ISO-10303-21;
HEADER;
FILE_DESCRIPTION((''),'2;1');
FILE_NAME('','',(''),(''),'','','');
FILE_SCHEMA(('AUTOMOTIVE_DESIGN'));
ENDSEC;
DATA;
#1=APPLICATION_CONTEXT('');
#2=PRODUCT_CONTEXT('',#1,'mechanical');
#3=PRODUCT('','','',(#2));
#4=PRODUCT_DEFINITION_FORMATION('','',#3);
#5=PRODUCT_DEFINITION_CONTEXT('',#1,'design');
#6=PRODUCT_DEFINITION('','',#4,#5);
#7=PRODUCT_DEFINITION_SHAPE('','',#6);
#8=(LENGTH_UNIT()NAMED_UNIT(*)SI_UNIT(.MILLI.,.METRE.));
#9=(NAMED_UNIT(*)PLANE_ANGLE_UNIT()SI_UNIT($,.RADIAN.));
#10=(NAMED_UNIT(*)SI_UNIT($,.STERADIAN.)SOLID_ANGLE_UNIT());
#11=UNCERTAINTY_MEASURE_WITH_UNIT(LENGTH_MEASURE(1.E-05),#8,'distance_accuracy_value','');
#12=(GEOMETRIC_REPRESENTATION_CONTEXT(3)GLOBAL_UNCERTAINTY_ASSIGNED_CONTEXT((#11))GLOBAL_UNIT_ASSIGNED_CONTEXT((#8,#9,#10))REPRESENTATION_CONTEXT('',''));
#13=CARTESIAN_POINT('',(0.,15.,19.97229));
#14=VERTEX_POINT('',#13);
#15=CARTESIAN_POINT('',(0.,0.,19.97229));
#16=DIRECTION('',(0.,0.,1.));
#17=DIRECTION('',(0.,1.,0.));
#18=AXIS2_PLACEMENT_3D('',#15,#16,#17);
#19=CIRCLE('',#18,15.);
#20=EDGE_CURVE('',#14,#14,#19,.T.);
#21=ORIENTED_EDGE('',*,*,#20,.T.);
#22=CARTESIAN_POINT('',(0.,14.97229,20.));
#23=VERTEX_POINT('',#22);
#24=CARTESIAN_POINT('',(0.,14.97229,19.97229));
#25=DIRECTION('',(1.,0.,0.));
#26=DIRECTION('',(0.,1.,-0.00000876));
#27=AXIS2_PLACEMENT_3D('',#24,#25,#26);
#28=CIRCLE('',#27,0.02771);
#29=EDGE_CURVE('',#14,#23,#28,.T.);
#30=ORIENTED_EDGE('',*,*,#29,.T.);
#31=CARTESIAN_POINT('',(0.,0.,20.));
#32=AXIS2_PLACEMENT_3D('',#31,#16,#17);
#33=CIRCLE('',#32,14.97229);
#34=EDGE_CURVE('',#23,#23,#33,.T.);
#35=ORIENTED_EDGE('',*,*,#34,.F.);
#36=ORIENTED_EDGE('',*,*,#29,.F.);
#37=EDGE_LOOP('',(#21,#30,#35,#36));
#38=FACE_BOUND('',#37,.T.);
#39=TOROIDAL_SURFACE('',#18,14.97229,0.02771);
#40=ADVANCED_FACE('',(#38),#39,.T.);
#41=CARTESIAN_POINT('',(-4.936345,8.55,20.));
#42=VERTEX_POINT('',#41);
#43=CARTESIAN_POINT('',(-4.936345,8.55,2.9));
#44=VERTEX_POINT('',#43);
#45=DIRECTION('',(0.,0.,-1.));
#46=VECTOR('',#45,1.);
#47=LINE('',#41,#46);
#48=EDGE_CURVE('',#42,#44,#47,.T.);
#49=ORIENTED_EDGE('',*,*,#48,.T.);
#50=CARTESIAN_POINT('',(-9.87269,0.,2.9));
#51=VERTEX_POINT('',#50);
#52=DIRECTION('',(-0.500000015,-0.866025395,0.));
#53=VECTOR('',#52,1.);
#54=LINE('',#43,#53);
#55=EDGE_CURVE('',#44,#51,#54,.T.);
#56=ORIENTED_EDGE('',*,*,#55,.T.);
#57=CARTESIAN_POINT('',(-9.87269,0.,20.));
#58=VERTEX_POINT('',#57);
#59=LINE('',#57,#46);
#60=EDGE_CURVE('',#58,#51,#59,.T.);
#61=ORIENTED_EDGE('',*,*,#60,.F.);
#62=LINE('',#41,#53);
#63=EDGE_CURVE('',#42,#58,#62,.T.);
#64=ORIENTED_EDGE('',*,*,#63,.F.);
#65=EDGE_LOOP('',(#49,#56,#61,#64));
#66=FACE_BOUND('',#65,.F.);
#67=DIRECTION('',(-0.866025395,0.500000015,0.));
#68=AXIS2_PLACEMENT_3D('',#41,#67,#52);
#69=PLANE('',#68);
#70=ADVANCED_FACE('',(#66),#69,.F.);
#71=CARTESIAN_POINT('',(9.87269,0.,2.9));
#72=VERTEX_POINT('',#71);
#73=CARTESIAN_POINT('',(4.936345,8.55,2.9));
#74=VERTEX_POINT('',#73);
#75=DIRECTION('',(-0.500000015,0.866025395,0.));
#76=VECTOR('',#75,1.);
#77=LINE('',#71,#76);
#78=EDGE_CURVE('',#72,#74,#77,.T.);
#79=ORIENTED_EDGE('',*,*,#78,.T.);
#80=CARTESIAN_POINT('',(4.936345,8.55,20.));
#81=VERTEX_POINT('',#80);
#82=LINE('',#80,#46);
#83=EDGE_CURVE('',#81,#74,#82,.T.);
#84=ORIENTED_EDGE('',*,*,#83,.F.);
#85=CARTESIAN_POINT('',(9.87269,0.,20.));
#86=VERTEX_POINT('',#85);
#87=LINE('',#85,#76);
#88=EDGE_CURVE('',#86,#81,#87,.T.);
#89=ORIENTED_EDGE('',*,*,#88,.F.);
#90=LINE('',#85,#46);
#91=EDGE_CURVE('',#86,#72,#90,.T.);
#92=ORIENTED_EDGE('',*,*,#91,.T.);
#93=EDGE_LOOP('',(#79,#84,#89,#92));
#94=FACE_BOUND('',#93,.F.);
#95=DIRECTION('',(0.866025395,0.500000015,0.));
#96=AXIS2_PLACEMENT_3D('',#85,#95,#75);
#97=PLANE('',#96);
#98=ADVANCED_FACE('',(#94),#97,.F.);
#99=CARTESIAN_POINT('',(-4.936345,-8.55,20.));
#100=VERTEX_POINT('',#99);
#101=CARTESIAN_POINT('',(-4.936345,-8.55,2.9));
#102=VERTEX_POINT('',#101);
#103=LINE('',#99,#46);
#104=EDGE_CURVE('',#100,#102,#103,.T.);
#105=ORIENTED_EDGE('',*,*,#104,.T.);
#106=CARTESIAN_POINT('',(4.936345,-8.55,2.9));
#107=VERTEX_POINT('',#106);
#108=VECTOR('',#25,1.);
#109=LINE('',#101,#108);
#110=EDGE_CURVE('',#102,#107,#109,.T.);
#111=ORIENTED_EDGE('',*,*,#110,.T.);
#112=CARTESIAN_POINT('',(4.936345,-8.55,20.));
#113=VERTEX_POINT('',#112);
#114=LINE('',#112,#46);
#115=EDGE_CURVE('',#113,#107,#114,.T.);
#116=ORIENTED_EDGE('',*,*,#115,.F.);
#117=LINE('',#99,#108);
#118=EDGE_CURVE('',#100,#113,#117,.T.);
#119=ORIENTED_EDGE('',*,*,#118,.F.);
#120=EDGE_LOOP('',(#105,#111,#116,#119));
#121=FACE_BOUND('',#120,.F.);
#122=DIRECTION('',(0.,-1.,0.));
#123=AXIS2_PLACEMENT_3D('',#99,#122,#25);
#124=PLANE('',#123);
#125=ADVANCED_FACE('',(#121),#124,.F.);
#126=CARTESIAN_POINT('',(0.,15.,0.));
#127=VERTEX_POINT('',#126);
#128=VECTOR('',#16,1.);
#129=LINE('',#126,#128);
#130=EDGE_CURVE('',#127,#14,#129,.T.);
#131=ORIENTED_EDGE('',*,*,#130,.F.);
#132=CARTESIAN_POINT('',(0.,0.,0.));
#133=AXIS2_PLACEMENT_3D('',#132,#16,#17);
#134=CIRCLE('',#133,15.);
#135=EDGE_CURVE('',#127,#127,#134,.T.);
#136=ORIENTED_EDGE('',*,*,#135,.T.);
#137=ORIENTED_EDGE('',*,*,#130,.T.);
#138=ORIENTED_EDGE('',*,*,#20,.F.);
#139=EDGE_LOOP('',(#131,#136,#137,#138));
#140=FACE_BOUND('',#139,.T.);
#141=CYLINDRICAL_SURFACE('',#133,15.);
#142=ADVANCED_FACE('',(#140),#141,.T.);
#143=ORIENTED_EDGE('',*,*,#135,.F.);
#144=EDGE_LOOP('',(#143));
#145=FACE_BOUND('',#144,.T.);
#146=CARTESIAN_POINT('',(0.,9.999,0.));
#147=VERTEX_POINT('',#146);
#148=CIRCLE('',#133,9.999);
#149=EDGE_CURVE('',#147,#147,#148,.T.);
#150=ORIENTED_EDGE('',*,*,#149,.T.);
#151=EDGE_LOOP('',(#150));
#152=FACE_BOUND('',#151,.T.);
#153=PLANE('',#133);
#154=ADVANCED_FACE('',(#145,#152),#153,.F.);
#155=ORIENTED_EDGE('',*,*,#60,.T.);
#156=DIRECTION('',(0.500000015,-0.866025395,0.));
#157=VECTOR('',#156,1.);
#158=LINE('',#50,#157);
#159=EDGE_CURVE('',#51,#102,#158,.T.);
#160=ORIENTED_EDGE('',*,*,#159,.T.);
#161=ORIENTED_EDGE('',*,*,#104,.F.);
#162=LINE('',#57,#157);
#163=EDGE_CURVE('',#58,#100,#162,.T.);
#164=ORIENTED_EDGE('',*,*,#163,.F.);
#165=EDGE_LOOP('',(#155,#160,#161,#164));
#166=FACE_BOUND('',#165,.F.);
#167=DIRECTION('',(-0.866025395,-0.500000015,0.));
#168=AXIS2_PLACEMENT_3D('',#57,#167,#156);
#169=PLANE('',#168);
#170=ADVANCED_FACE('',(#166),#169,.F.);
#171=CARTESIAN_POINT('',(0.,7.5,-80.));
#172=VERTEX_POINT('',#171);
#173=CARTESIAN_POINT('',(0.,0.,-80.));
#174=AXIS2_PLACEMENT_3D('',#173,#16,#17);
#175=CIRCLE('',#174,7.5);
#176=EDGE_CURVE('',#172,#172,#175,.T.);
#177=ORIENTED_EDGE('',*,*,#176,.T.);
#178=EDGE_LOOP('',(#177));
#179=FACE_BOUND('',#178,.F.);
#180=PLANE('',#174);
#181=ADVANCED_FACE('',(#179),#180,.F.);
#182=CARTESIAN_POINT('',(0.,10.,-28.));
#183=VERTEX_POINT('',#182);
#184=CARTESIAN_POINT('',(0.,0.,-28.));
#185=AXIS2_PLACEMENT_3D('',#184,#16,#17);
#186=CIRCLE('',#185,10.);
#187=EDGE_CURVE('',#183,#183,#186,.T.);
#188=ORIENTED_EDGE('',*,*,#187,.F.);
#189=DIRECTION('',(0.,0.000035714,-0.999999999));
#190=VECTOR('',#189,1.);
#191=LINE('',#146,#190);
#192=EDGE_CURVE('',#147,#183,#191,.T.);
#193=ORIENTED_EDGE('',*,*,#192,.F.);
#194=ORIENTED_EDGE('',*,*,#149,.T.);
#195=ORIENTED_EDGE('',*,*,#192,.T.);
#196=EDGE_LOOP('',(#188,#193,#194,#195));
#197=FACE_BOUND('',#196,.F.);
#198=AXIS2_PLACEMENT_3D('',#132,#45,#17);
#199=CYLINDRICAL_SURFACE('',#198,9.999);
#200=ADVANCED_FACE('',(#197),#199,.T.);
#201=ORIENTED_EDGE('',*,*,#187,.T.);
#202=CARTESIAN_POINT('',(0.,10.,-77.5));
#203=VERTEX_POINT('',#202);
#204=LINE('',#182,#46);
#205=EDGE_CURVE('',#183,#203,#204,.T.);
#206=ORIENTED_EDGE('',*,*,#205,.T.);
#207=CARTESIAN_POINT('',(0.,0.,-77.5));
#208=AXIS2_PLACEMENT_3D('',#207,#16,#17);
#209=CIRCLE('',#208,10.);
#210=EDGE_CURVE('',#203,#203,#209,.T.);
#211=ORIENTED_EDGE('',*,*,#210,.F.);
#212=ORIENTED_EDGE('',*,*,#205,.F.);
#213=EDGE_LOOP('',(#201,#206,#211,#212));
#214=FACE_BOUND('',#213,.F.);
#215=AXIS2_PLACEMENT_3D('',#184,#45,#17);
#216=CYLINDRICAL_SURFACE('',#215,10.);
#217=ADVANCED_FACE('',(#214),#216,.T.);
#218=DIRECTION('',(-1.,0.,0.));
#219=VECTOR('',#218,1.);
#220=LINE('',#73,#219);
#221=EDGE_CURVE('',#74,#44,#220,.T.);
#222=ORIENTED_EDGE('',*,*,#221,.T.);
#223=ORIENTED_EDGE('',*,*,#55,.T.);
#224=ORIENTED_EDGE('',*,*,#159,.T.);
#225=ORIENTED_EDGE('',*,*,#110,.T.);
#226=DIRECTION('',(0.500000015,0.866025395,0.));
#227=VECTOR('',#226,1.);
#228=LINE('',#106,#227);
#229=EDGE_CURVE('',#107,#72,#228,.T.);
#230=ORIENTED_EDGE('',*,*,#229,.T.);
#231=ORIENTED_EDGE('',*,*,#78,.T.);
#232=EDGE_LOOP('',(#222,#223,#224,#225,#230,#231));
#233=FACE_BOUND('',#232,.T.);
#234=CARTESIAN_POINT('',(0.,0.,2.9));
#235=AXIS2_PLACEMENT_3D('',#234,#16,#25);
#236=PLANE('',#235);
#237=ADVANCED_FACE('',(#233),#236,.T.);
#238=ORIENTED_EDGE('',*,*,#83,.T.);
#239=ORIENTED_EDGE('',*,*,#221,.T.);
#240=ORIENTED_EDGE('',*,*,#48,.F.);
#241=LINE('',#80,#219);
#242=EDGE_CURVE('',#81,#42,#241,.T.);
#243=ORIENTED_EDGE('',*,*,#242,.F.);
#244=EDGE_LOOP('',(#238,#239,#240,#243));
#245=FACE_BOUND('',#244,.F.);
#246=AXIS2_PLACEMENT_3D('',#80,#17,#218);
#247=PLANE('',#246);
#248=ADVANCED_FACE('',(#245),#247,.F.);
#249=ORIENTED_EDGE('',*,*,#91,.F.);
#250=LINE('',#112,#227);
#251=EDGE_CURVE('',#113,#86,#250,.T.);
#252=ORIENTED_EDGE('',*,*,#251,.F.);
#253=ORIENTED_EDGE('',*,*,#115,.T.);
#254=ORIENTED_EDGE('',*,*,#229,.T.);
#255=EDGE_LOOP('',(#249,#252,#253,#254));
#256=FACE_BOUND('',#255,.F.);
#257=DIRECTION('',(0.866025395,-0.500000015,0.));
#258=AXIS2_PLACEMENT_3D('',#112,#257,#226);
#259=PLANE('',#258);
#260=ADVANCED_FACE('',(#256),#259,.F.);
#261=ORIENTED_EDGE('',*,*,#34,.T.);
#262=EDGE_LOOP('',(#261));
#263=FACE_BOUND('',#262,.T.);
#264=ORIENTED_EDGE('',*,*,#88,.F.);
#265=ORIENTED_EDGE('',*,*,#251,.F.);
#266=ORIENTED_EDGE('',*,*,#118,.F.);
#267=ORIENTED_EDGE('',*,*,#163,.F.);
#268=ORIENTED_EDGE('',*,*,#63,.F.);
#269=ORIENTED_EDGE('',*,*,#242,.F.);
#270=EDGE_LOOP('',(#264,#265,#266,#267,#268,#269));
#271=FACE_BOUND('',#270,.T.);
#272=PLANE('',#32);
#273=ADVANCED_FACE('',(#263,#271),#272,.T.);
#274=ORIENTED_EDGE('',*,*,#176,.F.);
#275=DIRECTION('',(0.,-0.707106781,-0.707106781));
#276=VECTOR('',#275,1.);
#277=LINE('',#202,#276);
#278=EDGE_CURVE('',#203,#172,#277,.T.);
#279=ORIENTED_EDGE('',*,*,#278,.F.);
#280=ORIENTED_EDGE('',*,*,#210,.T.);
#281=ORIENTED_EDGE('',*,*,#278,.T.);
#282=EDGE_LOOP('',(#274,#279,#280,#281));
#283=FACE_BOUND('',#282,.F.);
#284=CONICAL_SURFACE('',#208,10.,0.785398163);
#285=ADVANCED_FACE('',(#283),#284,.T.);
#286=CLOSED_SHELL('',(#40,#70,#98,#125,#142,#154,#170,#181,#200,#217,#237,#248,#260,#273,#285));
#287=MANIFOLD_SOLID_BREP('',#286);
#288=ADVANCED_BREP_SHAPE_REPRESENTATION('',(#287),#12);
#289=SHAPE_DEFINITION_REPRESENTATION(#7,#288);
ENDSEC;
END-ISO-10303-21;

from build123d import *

# Parameters (mm, degrees)
POCKET_DEPTH = 17.1


with BuildPart() as part:
    # Sketch → Revolve (revolve)
    with BuildSketch(Plane.YZ):
        with BuildLine():
            Line((9.999, 0), (15, 0))
            Line((15, 0), (15, 19.97229))
            ThreePointArc((15, 19.97229), (14.991884, 19.991884), (14.97229, 20))
            Line((14.97229, 20), (0, 20))
            Line((0, -80), (0, 20))
            Line((7.5, -80), (0, -80))
            Line((10, -77.5), (7.5, -80))
            Line((10, -28), (10, -77.5))
            Line((9.999, 0), (10, -28))
        make_face()
    revolve(axis=Axis((0, 0, 0), (0, 0, 1)))

    # Sketch001 → Pocket (cut)
    with BuildSketch(Plane.XY.offset(20)):
        Polygon((9.87269, 0), (4.936345, 8.55), (-4.936345, 8.55), (-9.87269, 0), (-4.936345, -8.55), (4.936345, -8.55), align=None)
    extrude(amount=-POCKET_DEPTH, mode=Mode.SUBTRACT)


solid = part.part
